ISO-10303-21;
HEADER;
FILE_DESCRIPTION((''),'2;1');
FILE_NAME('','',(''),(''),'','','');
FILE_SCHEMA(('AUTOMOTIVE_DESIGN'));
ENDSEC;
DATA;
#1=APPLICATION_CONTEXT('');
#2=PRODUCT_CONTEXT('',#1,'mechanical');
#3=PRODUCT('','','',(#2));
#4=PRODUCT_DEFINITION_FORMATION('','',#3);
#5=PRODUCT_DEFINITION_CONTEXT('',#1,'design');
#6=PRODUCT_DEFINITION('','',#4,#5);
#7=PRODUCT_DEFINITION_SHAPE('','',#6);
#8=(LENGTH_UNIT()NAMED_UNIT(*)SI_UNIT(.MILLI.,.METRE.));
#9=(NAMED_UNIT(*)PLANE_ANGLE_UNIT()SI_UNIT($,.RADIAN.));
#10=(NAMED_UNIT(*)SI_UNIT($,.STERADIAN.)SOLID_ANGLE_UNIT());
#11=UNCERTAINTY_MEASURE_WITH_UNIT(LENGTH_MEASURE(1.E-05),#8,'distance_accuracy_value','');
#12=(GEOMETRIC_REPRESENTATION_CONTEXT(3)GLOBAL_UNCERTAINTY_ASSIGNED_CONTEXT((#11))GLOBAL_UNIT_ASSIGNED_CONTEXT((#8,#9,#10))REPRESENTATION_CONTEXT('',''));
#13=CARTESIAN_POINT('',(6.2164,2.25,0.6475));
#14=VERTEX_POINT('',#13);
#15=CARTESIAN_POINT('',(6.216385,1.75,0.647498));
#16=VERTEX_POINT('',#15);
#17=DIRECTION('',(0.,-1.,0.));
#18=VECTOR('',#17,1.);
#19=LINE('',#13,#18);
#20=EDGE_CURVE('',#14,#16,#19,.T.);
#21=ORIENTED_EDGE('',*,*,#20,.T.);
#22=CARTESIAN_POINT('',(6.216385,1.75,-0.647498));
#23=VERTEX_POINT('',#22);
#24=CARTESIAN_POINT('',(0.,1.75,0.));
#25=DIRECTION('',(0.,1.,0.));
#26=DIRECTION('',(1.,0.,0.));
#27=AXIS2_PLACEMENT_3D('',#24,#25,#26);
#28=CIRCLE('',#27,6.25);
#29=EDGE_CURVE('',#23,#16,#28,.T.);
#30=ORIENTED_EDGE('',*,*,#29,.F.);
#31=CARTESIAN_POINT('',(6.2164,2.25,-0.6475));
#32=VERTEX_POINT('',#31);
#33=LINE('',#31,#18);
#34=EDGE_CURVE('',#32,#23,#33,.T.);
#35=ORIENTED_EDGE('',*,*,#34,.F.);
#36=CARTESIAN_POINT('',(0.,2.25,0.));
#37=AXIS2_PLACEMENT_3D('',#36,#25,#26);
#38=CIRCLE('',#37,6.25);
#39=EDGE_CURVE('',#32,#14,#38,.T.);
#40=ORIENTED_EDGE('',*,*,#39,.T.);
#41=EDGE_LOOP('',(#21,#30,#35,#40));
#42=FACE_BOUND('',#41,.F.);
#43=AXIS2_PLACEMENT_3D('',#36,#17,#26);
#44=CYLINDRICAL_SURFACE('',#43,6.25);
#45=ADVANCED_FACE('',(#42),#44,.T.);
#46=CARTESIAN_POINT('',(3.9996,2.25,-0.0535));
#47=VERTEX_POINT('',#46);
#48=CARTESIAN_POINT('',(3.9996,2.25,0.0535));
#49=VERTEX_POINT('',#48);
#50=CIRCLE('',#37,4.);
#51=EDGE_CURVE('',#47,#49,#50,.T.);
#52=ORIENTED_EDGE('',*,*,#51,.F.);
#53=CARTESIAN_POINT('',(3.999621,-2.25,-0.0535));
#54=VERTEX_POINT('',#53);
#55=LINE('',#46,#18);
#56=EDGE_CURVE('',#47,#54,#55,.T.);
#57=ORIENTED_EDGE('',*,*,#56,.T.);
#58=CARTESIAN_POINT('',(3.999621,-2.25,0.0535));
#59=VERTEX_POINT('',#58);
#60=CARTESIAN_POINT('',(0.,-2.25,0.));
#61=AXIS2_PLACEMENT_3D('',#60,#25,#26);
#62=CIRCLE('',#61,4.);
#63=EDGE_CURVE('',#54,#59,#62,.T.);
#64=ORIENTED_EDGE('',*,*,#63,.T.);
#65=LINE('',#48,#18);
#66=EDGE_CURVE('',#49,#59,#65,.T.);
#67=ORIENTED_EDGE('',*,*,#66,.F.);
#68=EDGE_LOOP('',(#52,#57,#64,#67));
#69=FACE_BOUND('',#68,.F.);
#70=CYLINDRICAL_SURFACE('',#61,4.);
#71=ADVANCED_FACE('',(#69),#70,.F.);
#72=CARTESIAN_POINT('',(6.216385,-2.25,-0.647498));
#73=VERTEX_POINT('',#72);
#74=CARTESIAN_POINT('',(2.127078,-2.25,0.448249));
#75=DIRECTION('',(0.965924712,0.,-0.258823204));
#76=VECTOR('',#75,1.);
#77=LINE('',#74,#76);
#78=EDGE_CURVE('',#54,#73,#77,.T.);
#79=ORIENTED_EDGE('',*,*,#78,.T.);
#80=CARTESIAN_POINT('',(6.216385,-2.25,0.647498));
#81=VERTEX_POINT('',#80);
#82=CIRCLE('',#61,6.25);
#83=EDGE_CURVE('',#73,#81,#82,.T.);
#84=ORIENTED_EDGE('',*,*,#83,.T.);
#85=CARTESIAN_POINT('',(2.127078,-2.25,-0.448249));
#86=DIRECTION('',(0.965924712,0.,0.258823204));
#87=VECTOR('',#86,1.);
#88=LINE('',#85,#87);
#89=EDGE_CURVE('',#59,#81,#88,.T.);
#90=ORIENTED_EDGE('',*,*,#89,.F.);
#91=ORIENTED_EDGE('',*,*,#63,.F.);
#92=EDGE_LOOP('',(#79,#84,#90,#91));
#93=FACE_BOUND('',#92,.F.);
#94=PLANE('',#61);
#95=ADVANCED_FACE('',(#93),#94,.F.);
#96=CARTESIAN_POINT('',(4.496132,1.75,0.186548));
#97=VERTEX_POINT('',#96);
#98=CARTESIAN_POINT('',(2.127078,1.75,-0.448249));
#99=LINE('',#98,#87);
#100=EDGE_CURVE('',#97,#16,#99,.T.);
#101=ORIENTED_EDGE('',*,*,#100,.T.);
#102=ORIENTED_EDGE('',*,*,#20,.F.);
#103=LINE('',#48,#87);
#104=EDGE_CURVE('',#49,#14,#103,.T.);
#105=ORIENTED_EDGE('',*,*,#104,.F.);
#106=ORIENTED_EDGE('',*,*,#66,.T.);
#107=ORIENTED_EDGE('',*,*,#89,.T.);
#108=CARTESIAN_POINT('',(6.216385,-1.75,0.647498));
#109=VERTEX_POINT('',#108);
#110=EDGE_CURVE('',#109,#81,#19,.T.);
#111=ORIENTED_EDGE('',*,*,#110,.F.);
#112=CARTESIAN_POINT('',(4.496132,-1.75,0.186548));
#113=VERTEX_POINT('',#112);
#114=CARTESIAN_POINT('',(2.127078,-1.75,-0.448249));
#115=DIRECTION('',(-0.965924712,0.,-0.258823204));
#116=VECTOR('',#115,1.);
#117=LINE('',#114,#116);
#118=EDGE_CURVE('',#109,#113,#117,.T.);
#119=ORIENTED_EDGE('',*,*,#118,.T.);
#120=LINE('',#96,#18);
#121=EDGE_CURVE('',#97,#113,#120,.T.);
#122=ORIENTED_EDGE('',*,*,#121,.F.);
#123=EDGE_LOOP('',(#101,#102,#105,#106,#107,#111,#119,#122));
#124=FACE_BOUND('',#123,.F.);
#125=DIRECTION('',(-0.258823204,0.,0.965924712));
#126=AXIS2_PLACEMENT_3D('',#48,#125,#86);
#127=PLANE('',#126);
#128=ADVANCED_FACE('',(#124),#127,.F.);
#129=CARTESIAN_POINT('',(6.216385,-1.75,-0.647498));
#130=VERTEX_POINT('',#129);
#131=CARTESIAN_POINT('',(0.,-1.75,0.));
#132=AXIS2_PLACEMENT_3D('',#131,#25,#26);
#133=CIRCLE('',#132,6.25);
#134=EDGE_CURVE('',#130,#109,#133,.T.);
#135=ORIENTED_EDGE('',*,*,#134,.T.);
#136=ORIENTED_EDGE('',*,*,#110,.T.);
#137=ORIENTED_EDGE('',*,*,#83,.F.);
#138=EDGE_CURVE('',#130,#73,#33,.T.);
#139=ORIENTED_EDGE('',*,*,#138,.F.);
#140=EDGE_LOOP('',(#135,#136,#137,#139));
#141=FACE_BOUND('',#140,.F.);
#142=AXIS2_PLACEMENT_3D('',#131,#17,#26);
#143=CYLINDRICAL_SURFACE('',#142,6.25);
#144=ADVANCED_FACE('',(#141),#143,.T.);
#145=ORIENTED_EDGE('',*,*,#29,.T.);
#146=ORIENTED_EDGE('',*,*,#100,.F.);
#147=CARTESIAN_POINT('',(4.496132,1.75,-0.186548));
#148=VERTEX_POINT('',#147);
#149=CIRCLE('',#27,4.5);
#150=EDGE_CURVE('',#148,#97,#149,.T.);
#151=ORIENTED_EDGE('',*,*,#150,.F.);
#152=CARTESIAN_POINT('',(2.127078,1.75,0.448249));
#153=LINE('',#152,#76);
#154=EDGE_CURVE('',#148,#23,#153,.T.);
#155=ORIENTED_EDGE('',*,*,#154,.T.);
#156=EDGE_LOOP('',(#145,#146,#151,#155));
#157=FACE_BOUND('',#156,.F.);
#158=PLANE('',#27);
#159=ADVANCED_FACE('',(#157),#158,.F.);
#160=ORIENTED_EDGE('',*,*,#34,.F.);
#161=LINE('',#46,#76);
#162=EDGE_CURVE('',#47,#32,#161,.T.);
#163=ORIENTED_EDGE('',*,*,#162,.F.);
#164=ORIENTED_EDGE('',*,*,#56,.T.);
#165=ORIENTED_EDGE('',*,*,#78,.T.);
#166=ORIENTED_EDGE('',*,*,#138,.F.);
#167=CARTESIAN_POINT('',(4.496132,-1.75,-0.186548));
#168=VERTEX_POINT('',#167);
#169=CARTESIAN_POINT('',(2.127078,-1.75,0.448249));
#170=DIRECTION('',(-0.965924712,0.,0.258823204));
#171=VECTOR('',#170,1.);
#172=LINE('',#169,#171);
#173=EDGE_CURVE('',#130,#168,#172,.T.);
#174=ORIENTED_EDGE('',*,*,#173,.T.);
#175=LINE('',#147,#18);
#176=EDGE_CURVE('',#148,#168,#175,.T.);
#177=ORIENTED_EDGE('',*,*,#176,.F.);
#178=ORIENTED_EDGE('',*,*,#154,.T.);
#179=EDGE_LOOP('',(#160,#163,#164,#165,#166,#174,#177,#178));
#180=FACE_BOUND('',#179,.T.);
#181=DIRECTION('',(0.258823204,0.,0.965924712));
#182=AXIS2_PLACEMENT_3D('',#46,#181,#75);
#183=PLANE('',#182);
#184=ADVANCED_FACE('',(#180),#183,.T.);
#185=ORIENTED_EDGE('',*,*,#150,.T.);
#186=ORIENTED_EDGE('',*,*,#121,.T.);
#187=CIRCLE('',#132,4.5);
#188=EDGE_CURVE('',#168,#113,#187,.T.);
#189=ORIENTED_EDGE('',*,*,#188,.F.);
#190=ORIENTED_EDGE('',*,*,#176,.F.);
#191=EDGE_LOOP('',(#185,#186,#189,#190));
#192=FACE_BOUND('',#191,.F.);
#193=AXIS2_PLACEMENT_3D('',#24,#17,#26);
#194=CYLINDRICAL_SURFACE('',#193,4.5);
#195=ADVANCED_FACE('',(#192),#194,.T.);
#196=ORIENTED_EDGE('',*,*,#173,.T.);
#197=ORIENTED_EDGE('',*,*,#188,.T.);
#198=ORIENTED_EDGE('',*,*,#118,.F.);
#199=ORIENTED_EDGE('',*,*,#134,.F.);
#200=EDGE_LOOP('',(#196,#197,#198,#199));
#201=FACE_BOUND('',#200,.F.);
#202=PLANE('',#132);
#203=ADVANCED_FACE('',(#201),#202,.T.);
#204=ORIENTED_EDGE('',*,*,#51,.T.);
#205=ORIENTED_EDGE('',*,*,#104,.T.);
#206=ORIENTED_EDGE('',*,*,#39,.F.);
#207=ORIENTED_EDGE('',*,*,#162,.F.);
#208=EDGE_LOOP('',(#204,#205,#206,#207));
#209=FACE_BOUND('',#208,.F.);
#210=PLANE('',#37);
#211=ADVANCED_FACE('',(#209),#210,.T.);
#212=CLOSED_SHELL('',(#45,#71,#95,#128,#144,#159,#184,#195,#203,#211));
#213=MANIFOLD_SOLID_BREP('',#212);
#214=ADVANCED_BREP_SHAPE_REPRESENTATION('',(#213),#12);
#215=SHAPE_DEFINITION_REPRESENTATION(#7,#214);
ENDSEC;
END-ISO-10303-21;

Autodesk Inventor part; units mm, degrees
ref_plane "YZ Plane" through (0, 0, 0) normal (1, 0, 0) x (0, 1, 0)
ref_plane "XZ Plane" through (0, 0, 0) normal (0, 1, 0) x (-1, 0, 0)
ref_plane "XY Plane" through (0, 0, 0) normal (0, 0, 1) x (1, 0, 0)
sketch "Sketch1" plane through (0, 0, 0) normal (0, 0, 1) x (1, 0, 0)
  line L0 (0, -3.15) -> (0, 3.15) projected
  line L1 (-1.25, 0) -> (7.5, 0) projected
  line L2 (4, -2.25) -> (4, 2.25)
  line L3 (4, 2.25) -> (6.25, 2.25)
  line L4 (6.25, 2.25) -> (6.25, 1.75)
  line L5 (6.25, 1.75) -> (4.5, 1.75)
  line L6 (4.5, 1.75) -> (4.5, -1.75)
  line L7 (4.5, -1.75) -> (6.25, -1.75)
  line L8 (6.25, -1.75) -> (6.25, -2.25)
  line L9 (6.25, -2.25) -> (4, -2.25)
  point P0 (0, 0)
  point P1 (4.5, 0)
  dimension "d0" = 8
  dimension "d1" = 9
  dimension "d2" = 12.5
  dimension "d3" = 0.5
  dimension "d4" = 3.5
  dimension "d5" = 0.5
revolve "Revolution1" add sketch "Sketch1" angle 360 about axis through (0, -10, 0) along (0, 1, 0)
sketch "Sketch2" plane through (0, 2.25, 0) normal (0, 1, 0) x (1, 0, 0)
  circle A0 centre (0, 0) radius 6.25 projected
  circle A1 centre (0, 0) radius 4 projected
  line L0 (-8.75, 0) -> (8.75, 0) projected
  line L1 (0, 8.75) -> (0, -8.75) projected
  line L2 (3.9996, -0.0535) -> (6.2164, -0.6475)
  line L3 (3.9996, 0.0535) -> (6.2164, 0.6475)
  arc A2 (3.9996, -0.0535) -> (3.9996, 0.0535) centre (0, 0) ccw
  arc A3 (6.2164, -0.6475) -> (6.2164, 0.6475) centre (0, 0) ccw
  dimension "d8" = 15
  dimension "d9" = 30
  dimension "d10" = 2.2167
  dimension "d11" = 2.2167
extrude "Extrusion1" cut sketch "Sketch2" against normal through all contours L0 A1 L3 A0 | A0 L2 A1 L0
properties part number "312-03" material "Nylon-6/6"
